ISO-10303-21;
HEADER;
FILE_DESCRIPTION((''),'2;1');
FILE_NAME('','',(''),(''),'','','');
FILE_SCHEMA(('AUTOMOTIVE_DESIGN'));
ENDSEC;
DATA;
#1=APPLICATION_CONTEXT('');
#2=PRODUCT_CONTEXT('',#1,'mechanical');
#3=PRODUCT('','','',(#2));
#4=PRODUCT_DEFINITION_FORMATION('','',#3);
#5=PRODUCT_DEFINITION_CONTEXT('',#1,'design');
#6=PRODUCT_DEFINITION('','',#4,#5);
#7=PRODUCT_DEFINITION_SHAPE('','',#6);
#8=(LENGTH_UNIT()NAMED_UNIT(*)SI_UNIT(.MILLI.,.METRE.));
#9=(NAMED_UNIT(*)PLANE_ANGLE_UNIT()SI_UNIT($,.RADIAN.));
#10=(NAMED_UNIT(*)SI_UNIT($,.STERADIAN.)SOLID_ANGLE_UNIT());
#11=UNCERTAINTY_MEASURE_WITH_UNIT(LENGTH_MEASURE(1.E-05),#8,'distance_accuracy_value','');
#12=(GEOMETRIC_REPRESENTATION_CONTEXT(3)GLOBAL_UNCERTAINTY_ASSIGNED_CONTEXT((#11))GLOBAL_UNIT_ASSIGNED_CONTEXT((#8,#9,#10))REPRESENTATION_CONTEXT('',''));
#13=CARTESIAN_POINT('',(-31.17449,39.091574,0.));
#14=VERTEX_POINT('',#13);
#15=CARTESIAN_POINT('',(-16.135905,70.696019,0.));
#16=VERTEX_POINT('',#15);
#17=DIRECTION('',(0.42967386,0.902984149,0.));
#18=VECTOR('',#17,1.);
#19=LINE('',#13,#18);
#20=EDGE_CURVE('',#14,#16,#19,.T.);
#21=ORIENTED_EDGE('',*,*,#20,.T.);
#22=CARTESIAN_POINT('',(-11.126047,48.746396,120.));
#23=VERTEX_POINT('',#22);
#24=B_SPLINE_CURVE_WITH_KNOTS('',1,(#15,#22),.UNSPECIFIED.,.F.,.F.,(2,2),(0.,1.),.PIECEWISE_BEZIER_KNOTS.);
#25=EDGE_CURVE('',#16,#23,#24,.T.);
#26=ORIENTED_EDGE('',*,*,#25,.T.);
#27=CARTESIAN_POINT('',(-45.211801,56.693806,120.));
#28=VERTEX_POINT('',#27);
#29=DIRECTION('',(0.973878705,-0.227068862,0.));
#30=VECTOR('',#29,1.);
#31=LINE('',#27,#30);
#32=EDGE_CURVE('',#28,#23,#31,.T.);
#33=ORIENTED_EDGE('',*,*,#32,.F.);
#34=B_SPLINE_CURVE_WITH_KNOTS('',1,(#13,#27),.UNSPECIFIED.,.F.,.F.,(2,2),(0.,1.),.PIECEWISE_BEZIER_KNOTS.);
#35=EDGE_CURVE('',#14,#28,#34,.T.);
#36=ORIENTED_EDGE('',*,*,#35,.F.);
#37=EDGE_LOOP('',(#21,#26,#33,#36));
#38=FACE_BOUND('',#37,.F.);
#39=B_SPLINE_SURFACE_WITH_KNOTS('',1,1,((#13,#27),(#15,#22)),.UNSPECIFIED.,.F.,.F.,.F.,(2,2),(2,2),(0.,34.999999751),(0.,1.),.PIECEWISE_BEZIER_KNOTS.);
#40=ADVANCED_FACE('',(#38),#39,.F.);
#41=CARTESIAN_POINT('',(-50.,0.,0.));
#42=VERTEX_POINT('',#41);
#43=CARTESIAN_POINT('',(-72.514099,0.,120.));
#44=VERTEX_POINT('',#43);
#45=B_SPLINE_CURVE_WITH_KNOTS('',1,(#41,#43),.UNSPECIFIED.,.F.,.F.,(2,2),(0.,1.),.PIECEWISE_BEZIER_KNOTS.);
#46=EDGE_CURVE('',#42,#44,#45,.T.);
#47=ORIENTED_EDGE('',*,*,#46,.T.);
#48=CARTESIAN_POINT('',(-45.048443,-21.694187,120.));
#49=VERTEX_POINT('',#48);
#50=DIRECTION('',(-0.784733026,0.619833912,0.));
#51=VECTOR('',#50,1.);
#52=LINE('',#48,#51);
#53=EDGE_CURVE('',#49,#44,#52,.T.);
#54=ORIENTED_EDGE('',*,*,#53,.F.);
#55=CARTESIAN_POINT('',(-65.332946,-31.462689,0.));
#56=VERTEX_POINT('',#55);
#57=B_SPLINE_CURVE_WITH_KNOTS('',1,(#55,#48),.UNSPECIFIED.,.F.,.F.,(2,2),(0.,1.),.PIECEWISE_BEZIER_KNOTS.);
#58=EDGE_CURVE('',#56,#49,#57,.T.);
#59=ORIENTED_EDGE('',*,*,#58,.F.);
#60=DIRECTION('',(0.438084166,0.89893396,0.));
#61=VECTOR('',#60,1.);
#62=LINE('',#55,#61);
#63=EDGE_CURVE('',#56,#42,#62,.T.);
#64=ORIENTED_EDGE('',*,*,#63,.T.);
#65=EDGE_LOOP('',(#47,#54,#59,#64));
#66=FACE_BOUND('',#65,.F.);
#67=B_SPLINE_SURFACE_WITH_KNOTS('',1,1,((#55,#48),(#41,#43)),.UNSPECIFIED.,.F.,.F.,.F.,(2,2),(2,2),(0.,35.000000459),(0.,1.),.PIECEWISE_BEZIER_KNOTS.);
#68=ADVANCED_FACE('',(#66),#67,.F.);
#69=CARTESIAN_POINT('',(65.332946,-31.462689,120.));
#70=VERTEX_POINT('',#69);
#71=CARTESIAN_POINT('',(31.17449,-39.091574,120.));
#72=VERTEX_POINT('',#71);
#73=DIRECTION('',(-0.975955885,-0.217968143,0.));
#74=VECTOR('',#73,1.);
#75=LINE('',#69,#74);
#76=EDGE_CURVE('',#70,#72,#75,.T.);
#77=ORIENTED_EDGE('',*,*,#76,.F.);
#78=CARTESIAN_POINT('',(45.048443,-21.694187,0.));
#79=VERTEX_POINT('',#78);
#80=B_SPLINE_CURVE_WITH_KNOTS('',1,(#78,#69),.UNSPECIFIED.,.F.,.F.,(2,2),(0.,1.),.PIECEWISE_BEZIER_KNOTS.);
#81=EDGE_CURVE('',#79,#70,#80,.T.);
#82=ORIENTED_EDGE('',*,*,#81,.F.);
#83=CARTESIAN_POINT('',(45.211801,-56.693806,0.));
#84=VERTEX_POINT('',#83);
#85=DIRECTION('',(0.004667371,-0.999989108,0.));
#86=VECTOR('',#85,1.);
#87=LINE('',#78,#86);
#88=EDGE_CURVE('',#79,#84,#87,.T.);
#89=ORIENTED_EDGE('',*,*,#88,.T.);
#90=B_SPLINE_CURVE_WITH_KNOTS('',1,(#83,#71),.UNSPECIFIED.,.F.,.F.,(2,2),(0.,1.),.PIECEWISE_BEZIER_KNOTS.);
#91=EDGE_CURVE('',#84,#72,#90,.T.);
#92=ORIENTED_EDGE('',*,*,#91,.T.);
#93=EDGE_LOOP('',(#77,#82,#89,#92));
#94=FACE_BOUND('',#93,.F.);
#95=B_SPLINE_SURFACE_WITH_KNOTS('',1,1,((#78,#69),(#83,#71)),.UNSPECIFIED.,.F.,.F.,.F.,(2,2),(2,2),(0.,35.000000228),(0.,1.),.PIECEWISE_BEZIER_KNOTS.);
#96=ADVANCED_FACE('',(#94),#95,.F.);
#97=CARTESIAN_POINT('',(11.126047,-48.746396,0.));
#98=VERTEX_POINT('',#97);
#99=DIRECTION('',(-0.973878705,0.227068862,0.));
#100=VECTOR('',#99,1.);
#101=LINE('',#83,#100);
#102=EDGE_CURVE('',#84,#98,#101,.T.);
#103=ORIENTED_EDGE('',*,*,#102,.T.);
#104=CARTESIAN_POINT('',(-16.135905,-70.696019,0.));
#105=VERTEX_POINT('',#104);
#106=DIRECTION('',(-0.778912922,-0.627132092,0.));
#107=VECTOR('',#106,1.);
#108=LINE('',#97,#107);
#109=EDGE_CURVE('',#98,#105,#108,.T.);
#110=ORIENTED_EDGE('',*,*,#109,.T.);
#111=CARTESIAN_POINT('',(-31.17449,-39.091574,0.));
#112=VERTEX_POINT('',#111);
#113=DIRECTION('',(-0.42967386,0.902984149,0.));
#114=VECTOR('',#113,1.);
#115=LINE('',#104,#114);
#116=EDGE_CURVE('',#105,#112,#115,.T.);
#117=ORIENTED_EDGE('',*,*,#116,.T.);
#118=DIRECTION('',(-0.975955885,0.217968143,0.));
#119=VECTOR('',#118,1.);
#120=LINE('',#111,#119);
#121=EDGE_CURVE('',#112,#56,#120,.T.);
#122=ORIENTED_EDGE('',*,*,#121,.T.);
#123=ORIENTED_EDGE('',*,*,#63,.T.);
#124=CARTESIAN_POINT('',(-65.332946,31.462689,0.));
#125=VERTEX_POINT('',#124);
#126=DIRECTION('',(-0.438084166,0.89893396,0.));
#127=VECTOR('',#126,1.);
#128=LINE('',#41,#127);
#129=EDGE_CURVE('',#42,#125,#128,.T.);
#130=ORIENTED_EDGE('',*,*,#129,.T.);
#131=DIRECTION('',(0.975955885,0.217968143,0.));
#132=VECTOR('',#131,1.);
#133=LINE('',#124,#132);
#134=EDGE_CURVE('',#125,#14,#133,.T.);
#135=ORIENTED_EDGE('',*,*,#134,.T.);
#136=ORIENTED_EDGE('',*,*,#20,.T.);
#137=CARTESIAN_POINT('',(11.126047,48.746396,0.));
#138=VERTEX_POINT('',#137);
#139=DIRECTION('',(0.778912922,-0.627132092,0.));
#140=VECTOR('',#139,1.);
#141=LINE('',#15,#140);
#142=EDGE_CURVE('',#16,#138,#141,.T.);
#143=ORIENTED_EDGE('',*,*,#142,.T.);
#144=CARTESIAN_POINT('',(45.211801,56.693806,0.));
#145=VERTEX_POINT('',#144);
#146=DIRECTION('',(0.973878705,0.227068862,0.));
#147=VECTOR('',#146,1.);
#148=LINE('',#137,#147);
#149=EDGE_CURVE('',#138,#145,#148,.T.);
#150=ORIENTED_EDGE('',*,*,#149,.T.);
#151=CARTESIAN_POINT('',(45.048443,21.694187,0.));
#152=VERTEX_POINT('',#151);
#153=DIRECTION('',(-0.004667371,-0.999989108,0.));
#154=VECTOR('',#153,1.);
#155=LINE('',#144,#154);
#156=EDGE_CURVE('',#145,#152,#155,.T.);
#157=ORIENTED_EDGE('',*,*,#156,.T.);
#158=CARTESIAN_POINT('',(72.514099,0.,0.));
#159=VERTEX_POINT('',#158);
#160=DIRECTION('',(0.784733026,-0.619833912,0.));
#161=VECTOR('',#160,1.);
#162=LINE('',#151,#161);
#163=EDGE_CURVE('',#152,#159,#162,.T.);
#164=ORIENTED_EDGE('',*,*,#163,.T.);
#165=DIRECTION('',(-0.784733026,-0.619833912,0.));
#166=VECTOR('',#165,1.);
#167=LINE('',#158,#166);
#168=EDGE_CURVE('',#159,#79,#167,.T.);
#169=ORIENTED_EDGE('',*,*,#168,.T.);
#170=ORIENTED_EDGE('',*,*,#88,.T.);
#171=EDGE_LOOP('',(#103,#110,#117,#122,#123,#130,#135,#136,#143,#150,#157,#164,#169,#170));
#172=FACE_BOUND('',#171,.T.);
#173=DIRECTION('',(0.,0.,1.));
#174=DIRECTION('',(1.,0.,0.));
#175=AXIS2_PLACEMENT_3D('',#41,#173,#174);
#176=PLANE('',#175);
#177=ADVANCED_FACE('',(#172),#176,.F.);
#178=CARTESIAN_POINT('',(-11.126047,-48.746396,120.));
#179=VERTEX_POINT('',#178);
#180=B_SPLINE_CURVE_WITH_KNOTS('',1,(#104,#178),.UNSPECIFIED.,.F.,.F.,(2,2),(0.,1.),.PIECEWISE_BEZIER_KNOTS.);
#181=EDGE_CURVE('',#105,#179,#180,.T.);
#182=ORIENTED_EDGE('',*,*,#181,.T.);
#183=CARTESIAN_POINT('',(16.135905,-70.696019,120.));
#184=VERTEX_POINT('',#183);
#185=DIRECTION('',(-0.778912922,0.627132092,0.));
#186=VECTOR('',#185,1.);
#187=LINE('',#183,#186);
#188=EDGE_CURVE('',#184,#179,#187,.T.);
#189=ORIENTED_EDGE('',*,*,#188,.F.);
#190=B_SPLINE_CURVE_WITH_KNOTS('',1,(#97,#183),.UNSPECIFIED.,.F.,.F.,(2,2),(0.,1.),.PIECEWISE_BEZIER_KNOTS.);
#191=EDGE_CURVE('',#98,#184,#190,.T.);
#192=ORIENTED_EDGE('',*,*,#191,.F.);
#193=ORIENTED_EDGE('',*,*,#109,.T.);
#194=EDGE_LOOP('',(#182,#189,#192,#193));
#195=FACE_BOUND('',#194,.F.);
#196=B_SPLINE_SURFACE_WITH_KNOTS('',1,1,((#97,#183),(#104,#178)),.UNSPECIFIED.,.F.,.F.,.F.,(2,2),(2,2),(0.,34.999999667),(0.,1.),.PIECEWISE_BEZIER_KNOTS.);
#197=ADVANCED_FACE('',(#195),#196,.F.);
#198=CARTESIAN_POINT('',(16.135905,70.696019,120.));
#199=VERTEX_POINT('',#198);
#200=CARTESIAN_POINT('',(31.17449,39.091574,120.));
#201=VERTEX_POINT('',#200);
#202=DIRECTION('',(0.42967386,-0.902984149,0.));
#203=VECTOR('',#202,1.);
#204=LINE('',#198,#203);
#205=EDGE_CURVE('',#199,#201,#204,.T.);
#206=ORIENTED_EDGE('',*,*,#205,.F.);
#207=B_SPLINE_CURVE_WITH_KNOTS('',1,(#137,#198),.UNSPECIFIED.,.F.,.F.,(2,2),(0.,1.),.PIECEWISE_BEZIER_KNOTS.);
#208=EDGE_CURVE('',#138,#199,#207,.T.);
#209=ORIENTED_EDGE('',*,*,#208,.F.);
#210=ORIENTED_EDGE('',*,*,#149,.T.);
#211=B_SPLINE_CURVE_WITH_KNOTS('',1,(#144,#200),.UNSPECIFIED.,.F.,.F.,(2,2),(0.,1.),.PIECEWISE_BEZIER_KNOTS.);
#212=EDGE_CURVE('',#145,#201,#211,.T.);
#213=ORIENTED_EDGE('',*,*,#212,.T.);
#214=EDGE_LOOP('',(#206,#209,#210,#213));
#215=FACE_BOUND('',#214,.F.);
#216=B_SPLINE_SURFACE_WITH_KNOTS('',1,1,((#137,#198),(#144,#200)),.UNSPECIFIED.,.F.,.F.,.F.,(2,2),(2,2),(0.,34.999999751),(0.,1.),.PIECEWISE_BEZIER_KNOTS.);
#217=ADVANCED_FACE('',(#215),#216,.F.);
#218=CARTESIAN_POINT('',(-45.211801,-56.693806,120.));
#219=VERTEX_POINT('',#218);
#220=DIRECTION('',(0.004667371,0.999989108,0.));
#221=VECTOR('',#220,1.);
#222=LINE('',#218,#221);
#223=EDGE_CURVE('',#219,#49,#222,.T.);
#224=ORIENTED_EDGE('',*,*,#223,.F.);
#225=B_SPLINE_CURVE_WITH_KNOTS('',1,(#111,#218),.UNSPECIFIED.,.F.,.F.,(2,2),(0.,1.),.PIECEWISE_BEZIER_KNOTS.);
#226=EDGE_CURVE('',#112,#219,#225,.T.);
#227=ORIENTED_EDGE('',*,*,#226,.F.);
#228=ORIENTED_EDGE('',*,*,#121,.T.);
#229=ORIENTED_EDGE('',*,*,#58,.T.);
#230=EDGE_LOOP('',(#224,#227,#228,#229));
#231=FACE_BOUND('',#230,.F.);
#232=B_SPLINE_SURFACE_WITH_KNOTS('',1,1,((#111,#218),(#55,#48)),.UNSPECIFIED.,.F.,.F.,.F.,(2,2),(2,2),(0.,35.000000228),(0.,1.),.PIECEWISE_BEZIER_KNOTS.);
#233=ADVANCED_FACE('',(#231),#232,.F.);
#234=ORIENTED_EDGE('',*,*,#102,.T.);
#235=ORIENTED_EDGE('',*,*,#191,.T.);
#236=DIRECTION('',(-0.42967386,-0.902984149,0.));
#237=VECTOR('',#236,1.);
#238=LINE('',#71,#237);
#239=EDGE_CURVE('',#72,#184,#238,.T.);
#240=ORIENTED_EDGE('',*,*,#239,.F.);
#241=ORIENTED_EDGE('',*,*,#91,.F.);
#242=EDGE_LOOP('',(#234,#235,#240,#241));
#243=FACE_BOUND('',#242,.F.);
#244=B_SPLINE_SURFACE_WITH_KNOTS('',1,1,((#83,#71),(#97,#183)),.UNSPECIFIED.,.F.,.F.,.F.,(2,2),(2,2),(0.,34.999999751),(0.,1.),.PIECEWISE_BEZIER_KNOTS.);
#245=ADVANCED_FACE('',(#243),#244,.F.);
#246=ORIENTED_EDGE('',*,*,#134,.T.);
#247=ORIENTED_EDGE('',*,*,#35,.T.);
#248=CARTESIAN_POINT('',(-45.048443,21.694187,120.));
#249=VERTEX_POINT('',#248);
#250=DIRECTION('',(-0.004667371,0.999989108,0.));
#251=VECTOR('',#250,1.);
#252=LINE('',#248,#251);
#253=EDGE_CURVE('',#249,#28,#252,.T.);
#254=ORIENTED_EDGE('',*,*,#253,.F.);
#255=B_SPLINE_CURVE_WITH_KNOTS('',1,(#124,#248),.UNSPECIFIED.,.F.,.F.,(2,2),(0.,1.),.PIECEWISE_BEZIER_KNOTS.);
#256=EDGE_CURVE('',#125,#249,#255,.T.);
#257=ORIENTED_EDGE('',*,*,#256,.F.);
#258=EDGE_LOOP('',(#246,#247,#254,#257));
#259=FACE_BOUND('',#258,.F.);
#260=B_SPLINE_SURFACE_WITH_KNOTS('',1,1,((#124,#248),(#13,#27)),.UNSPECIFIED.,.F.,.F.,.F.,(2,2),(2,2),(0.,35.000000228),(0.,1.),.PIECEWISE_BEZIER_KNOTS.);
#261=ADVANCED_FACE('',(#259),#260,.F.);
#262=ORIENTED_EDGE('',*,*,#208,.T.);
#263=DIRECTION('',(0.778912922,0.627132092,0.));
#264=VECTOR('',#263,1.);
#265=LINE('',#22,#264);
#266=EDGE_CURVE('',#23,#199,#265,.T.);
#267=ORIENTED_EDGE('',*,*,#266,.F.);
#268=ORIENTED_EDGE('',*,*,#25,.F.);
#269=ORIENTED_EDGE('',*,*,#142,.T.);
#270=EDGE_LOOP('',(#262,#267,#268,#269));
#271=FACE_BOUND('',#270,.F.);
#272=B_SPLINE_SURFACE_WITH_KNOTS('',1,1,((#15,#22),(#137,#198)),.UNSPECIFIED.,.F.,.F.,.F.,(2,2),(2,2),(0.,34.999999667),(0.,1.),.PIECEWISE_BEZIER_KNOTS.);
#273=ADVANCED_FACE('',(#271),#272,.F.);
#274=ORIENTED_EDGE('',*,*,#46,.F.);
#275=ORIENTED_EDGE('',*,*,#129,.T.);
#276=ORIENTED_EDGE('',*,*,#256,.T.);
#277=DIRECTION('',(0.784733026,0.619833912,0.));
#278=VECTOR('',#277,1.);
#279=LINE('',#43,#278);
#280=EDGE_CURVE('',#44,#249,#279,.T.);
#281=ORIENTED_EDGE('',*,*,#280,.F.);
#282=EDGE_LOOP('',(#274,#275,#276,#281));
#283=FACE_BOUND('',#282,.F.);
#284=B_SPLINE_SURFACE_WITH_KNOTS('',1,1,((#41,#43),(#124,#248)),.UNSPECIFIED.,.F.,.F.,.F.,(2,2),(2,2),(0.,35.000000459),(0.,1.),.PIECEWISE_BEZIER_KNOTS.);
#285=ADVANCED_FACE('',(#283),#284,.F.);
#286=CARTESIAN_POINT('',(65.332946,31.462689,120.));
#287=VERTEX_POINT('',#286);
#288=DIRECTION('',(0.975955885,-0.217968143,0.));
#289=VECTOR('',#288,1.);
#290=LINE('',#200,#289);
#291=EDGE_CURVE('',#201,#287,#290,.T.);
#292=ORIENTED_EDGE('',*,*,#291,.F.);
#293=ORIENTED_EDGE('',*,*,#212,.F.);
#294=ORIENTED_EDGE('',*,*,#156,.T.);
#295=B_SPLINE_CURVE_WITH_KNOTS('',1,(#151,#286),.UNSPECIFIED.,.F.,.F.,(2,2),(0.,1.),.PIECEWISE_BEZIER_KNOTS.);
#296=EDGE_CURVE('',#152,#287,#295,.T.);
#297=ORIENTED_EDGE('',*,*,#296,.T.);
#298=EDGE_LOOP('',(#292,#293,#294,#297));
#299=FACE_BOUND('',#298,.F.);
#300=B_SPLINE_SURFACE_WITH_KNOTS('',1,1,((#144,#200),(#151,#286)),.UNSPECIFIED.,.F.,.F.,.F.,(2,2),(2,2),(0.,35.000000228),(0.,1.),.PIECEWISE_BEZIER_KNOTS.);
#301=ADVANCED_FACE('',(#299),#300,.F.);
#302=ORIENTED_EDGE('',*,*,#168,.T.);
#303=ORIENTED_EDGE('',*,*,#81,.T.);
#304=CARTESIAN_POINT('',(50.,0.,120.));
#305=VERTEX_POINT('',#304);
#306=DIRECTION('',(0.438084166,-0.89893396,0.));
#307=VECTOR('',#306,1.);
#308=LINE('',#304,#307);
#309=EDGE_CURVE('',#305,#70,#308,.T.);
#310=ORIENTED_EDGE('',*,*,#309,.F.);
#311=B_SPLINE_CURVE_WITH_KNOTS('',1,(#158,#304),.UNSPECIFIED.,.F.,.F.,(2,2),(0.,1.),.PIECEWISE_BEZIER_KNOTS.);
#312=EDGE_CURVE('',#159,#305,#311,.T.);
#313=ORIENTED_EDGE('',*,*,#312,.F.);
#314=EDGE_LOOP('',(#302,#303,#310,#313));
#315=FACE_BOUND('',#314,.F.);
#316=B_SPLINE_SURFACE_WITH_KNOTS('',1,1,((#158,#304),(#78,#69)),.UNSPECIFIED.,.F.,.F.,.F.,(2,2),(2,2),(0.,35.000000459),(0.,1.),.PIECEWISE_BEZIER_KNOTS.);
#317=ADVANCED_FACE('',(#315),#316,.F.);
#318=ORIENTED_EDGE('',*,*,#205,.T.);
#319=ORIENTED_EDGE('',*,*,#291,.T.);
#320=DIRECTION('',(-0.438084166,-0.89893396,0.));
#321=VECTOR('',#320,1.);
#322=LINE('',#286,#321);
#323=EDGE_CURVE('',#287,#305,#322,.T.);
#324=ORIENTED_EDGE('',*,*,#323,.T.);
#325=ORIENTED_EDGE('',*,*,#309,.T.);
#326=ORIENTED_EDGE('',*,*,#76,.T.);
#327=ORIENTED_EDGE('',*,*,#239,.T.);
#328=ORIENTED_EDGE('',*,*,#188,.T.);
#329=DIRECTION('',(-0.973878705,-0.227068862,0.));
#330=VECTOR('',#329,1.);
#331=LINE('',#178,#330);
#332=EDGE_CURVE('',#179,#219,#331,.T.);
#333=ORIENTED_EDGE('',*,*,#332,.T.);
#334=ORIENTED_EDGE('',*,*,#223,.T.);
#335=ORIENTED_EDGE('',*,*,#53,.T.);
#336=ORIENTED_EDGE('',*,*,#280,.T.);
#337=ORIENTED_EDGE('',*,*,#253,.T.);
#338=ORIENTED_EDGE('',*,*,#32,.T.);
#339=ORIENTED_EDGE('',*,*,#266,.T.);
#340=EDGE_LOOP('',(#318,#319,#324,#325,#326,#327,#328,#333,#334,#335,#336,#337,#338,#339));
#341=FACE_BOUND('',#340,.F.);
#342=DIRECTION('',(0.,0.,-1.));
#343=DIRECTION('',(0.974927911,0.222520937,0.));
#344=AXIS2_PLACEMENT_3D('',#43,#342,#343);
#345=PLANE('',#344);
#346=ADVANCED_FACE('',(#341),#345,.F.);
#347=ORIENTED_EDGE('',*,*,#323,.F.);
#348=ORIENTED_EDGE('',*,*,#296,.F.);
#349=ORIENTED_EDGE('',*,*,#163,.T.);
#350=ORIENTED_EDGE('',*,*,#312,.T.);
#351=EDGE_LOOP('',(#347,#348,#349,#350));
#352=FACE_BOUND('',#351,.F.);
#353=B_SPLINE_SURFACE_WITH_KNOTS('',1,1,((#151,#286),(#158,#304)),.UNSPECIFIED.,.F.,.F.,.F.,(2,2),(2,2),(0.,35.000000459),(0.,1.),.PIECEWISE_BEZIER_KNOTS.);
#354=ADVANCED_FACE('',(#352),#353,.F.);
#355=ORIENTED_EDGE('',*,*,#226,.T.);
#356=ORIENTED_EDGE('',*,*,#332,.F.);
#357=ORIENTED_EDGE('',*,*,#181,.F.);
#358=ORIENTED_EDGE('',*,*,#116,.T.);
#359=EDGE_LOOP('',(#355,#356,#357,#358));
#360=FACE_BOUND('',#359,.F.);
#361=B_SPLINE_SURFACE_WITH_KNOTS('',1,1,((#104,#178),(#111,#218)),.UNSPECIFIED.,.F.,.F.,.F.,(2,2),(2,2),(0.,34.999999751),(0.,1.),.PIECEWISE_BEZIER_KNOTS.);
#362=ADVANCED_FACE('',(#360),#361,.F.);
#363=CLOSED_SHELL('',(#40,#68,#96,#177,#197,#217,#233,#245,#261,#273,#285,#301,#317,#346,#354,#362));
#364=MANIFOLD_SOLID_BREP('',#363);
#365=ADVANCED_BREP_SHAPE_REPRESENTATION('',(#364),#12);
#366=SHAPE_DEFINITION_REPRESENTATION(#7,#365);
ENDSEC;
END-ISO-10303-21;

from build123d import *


with BuildPart() as part:
    # Sketch → AdditiveLoft section 0
    with BuildSketch(Plane.XY):
        Polygon((-50, 0), (-65.332946, 31.462689), (-31.17449, 39.091574), (-16.135905, 70.696019), (11.126047, 48.746396), (45.211801, 56.693806), (45.048443, 21.694187), (72.514099, 0), (45.048443, -21.694187), (45.211801, -56.693806), (11.126047, -48.746396), (-16.135905, -70.696019), (-31.17449, -39.091574), (-65.332946, -31.462689), align=None)
    # Sketch001 → AdditiveLoft section 1
    with BuildSketch(Plane.XY.offset(120)):
        Polygon((-45.048443, 21.694187), (-45.211801, 56.693806), (-11.126047, 48.746396), (16.135905, 70.696019), (31.17449, 39.091574), (65.332946, 31.462689), (50, 0), (65.332946, -31.462689), (31.17449, -39.091574), (16.135905, -70.696019), (-11.126047, -48.746396), (-45.211801, -56.693806), (-45.048443, -21.694187), (-72.514099, 0), align=None)
    loft()


solid = part.part
